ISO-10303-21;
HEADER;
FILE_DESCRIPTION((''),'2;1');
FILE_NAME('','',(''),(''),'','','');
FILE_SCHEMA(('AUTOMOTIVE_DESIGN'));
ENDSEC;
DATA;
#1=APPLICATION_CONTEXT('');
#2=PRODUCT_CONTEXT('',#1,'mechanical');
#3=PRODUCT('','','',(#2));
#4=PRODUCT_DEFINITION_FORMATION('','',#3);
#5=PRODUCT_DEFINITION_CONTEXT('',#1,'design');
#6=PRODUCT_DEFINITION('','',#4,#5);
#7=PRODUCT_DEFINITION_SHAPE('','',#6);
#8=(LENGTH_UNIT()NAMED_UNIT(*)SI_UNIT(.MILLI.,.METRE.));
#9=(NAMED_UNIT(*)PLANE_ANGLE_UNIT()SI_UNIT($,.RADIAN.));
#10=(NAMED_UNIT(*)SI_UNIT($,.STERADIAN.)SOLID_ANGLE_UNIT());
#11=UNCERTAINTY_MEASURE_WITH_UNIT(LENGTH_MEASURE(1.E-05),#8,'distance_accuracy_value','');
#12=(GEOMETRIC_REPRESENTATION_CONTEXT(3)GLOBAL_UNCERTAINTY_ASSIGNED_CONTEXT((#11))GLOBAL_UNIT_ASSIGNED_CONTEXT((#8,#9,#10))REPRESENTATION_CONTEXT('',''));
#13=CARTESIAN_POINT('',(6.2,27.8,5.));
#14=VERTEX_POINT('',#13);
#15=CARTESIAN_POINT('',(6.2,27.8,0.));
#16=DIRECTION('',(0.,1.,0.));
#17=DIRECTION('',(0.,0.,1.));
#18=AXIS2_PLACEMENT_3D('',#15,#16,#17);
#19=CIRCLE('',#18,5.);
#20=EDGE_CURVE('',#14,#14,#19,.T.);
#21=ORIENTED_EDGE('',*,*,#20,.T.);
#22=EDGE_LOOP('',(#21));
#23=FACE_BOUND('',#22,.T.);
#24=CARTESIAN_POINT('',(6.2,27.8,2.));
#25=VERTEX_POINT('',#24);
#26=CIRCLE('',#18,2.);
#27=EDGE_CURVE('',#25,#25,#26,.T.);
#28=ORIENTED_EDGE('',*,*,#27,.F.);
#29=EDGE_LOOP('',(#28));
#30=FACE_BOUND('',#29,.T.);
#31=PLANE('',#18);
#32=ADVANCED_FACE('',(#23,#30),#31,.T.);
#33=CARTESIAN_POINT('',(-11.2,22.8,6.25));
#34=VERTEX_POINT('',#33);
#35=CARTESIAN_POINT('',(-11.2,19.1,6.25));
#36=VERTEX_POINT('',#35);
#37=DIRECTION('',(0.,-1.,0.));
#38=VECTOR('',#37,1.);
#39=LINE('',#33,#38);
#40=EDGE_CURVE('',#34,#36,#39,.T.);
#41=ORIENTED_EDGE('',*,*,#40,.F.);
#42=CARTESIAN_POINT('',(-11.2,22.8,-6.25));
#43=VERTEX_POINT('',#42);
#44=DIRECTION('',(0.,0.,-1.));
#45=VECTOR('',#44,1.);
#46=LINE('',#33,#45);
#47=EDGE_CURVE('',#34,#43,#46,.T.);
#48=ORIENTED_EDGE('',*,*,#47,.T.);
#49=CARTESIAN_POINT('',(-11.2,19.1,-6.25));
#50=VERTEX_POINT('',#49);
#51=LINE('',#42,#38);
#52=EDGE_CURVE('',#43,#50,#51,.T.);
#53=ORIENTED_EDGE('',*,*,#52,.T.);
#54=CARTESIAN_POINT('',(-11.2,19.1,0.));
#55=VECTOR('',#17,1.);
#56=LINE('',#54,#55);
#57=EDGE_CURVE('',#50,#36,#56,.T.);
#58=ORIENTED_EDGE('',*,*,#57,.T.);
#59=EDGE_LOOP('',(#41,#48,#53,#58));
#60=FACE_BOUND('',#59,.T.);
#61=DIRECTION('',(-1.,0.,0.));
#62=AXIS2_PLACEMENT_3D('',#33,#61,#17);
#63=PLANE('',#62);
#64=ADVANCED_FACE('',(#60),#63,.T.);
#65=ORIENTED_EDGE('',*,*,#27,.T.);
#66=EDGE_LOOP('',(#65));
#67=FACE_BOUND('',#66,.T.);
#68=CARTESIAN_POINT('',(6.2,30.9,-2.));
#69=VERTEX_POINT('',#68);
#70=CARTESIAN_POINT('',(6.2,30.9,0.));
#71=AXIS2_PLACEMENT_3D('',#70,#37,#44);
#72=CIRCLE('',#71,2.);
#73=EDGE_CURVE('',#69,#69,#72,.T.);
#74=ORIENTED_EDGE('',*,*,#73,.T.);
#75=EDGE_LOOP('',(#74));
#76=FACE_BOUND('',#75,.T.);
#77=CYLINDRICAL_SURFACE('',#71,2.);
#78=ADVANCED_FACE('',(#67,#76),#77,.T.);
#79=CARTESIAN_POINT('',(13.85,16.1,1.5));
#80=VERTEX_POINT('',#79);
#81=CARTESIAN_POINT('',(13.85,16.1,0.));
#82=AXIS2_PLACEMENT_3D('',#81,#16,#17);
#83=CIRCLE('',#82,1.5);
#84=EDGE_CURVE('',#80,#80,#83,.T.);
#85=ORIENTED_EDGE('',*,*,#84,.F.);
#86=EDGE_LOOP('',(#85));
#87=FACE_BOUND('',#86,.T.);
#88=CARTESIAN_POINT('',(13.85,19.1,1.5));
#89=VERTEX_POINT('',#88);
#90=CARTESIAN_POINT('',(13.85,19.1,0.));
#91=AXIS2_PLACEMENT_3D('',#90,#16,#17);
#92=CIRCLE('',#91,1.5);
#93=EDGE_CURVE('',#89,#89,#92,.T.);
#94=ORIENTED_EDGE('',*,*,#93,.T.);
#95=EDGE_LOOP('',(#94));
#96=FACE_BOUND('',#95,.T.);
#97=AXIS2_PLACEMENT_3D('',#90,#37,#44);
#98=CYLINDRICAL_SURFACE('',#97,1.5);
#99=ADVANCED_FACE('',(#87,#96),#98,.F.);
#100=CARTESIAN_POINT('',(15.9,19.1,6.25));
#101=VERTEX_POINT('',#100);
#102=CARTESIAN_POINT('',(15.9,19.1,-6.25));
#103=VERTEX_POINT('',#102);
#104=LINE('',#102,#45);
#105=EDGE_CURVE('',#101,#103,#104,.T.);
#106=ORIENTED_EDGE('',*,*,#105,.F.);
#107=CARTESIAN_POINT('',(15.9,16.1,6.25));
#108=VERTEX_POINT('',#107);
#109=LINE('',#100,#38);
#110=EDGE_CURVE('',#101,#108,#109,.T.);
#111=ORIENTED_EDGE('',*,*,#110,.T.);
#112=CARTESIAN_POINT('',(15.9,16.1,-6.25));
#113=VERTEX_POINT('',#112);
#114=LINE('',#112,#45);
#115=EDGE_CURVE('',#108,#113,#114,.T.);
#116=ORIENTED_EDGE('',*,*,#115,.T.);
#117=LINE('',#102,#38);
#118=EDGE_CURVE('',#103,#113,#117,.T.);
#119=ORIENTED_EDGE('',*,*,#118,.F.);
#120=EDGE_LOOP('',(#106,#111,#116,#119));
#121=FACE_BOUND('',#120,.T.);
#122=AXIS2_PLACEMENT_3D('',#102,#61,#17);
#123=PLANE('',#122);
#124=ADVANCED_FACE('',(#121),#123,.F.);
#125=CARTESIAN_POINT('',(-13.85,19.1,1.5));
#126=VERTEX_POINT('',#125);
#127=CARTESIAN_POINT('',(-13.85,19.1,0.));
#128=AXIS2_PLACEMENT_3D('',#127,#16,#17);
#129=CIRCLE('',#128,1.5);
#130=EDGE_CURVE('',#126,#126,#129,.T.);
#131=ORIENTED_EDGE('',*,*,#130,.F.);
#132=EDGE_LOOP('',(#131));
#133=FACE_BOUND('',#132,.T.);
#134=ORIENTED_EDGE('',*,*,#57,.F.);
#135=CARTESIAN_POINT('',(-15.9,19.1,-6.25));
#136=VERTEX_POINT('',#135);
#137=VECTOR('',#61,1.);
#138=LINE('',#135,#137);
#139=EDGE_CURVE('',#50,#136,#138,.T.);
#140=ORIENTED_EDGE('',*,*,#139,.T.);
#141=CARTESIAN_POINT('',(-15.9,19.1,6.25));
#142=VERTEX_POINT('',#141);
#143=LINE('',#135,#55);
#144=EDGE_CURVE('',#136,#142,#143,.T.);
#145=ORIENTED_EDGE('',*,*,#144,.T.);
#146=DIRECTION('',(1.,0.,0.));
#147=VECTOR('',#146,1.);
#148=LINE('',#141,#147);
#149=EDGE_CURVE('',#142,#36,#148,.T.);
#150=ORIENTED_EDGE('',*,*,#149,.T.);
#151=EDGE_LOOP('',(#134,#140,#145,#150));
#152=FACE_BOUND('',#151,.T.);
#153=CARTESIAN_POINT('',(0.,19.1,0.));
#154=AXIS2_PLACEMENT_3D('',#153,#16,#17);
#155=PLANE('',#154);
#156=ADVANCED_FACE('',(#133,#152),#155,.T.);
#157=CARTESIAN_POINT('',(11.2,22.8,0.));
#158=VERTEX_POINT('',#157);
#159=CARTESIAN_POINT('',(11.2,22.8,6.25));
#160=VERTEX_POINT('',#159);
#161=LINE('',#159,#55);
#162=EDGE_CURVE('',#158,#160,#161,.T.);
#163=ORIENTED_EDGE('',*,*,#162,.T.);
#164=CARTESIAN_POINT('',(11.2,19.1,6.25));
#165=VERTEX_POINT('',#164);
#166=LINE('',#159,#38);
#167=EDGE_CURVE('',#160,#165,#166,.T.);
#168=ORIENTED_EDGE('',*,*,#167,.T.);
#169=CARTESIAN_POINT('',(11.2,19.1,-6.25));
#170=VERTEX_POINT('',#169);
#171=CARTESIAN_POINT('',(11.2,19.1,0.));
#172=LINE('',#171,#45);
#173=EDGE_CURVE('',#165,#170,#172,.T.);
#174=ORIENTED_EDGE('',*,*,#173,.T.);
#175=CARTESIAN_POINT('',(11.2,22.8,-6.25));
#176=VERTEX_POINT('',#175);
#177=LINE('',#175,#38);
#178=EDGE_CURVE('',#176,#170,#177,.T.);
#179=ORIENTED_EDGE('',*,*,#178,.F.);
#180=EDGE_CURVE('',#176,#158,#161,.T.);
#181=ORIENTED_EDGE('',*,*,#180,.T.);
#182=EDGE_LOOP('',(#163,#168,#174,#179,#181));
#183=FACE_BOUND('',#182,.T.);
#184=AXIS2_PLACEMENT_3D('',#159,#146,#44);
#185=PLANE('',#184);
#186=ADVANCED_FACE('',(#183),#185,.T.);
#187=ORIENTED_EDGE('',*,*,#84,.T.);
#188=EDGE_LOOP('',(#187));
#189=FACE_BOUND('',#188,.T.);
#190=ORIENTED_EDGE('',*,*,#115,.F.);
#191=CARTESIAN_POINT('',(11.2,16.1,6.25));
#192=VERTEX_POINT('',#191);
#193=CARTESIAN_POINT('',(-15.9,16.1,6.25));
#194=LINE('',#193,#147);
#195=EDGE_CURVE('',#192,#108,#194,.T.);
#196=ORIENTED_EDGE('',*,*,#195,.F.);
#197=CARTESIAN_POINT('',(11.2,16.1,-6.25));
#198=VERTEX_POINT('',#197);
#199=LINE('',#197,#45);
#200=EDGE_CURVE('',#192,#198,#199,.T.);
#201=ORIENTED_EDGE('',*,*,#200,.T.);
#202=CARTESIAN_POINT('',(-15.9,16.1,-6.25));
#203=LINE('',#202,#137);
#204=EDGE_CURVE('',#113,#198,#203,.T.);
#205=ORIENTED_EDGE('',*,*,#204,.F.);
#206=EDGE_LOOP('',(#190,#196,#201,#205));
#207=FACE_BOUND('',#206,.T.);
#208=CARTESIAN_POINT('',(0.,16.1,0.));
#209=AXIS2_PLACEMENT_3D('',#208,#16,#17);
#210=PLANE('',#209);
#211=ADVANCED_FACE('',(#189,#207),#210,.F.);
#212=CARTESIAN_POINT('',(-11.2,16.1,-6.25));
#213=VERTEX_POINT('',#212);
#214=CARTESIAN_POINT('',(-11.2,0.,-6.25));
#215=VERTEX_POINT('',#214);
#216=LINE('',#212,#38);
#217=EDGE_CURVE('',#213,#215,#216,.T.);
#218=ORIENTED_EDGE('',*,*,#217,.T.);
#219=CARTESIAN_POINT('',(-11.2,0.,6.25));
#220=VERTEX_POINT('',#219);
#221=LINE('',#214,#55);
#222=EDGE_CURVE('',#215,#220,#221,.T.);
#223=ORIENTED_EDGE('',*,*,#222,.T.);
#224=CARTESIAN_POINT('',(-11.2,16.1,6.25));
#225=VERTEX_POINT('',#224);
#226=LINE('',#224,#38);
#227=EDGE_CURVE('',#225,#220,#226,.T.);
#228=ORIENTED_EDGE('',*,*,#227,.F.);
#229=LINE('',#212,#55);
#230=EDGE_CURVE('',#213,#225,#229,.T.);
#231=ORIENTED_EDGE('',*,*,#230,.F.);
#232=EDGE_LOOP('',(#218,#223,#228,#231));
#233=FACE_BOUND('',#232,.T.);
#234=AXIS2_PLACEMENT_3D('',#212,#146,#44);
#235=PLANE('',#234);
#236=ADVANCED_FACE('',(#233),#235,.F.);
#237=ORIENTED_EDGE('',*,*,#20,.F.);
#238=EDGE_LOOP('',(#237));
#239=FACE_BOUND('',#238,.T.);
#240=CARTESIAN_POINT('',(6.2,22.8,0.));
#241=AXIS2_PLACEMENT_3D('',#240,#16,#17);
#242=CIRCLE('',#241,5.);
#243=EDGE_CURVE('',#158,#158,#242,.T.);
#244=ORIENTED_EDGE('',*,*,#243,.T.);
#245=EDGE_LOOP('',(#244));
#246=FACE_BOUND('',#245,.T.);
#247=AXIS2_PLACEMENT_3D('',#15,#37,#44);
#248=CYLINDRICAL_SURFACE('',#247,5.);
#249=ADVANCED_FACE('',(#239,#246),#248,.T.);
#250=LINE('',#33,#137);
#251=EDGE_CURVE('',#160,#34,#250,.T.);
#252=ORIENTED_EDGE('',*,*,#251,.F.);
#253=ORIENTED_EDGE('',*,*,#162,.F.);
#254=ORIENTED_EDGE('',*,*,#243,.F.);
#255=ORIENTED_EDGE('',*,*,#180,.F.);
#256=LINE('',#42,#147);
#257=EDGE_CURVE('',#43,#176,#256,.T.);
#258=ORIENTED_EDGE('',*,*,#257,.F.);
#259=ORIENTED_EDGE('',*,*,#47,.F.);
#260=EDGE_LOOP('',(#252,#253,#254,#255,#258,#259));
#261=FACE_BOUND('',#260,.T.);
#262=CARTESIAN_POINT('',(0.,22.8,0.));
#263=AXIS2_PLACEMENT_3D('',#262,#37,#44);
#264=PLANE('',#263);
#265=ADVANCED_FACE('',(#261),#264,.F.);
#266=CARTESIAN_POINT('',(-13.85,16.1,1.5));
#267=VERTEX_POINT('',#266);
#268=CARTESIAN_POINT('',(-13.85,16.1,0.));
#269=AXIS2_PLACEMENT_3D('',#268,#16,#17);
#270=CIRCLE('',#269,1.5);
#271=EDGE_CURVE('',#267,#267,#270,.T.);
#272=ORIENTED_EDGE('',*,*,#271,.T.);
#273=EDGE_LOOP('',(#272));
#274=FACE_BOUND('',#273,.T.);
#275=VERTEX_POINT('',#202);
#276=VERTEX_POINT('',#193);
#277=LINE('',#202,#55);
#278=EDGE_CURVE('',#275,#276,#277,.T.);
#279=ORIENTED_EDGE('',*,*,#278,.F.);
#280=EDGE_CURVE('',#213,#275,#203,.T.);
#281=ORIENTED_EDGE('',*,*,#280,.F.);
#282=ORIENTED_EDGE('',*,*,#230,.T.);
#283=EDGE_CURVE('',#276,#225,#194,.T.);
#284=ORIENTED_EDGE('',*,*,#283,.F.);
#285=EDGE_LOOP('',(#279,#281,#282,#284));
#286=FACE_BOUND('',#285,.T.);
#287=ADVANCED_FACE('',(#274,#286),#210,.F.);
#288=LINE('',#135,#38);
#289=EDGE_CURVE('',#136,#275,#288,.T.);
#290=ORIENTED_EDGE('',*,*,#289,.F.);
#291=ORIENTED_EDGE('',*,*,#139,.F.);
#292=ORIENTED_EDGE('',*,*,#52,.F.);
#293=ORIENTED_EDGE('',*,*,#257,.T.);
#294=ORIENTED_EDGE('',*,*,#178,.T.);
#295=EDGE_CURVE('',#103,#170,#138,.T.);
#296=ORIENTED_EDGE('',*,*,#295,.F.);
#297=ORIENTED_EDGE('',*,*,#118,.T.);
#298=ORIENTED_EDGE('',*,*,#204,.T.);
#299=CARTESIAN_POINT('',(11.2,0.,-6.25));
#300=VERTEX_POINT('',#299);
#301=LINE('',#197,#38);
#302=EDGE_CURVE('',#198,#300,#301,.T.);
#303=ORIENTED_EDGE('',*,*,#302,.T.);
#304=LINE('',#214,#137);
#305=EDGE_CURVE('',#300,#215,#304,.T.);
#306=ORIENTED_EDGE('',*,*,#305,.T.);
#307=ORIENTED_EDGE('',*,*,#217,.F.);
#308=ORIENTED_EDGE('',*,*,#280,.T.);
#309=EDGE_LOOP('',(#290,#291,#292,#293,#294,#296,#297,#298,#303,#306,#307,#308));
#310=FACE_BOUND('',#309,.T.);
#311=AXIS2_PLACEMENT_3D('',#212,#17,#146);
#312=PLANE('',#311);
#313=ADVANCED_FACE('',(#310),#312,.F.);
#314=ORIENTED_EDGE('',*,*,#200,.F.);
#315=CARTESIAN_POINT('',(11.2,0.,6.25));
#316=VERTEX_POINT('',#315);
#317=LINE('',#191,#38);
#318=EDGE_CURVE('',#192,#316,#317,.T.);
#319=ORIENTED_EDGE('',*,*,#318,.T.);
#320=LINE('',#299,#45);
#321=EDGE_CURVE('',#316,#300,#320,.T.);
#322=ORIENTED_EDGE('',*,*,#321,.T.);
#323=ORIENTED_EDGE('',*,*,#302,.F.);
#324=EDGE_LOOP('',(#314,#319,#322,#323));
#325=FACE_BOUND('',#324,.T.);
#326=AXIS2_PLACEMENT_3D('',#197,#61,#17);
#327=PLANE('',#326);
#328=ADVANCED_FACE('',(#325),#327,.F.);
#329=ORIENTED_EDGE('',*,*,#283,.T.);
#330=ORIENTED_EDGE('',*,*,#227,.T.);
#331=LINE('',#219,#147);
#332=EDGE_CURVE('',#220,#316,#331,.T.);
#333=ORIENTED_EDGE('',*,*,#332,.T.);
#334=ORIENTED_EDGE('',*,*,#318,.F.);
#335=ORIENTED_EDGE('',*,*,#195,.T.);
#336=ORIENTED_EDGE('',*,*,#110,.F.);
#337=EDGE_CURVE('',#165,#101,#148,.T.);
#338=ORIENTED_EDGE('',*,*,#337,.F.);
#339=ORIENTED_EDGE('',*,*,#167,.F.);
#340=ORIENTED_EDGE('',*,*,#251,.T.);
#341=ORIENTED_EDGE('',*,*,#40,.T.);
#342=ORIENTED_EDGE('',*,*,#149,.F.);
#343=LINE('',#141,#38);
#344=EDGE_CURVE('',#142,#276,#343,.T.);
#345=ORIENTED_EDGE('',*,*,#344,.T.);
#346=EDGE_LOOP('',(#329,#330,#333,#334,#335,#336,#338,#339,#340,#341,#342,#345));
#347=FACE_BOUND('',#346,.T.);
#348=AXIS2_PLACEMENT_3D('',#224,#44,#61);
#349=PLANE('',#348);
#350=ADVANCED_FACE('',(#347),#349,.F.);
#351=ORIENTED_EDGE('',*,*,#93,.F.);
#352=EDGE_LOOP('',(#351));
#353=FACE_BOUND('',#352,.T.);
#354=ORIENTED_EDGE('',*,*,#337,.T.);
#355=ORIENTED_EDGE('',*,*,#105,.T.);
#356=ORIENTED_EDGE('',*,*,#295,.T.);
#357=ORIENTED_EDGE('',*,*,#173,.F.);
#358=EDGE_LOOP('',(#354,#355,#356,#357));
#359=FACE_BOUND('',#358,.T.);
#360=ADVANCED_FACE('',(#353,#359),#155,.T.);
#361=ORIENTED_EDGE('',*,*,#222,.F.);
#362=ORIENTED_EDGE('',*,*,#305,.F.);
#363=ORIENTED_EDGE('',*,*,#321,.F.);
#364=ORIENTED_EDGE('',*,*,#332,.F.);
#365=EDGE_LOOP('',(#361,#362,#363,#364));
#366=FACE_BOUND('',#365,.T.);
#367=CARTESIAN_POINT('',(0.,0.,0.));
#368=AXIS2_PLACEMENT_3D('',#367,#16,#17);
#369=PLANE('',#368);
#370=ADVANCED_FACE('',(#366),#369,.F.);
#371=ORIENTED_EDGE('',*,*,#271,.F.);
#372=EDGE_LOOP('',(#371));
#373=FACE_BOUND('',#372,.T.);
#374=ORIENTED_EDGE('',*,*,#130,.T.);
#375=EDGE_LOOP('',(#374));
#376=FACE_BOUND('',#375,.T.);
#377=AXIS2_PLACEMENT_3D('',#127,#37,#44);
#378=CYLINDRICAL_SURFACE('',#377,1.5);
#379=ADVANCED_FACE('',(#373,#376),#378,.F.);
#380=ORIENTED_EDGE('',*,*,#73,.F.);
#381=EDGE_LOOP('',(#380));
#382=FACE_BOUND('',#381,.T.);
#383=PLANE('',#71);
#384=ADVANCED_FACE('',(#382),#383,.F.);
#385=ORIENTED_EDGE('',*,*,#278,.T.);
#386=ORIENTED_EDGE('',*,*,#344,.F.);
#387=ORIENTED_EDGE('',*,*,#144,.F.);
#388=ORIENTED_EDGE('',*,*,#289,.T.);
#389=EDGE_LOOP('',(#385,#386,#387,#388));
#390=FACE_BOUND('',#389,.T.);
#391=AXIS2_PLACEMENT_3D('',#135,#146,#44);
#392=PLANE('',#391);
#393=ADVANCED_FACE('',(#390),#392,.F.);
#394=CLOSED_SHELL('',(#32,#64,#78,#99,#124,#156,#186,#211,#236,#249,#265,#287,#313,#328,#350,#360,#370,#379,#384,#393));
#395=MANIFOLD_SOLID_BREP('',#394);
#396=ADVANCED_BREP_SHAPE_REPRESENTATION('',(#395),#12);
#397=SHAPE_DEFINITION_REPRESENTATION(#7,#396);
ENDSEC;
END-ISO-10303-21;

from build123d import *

# Parameters (mm, degrees)
SKETCH_1_W      = 22.4
SKETCH_1_H      = 12.5
EXTRUDE_1_DEPTH = 16.1
SKETCH_2_W      = 31.8
SKETCH_2_H      = 12.5
SKETCH_2_R      = 1.5
EXTRUDE_2_DEPTH = 3
SKETCH_3_W      = 22.4
SKETCH_3_H      = 12.5
EXTRUDE_3_DEPTH = 22.8
SKETCH_4_R      = 5
EXTRUDE_4_DEPTH = 5
SKETCH_5_R      = 2
EXTRUDE_5_DEPTH = 30.9


with BuildPart() as part:
    # 草图1 → 凸台-拉伸1 (new body)
    with BuildSketch(Plane(origin=(0, 0, 0), x_dir=(1, 0, 0), z_dir=(0, 1, 0))):
        Rectangle(SKETCH_1_W, SKETCH_1_H)
    extrude(amount=EXTRUDE_1_DEPTH)

    # 草图2 → 凸台-拉伸2 (add)
    with BuildSketch(Plane(origin=(0, 16.1, 0), x_dir=(1, 0, 0), z_dir=(0, 1, 0))):
        Rectangle(SKETCH_2_W, SKETCH_2_H)
        with Locations((13.85, 0)):
            Circle(SKETCH_2_R, mode=Mode.SUBTRACT)
        with Locations((-13.85, 0)):
            Circle(SKETCH_2_R, mode=Mode.SUBTRACT)
    extrude(amount=EXTRUDE_2_DEPTH)

    # 草图3 → 凸台-拉伸3 (add)
    with BuildSketch(Plane.XZ):
        Rectangle(SKETCH_3_W, SKETCH_3_H)
    extrude(amount=-EXTRUDE_3_DEPTH)

    # 草图4 → 凸台-拉伸4 (add)
    with BuildSketch(Plane(origin=(0, 22.8, 0), x_dir=(1, 0, 0), z_dir=(0, 1, 0))):
        with Locations((6.2, 0)):
            Circle(SKETCH_4_R)
    extrude(amount=EXTRUDE_4_DEPTH)

    # 草图5 → 凸台-拉伸5 (add)
    with BuildSketch(Plane.XZ):
        with Locations((6.2, 0)):
            Circle(SKETCH_5_R)
    extrude(amount=-EXTRUDE_5_DEPTH)


solid = part.part
